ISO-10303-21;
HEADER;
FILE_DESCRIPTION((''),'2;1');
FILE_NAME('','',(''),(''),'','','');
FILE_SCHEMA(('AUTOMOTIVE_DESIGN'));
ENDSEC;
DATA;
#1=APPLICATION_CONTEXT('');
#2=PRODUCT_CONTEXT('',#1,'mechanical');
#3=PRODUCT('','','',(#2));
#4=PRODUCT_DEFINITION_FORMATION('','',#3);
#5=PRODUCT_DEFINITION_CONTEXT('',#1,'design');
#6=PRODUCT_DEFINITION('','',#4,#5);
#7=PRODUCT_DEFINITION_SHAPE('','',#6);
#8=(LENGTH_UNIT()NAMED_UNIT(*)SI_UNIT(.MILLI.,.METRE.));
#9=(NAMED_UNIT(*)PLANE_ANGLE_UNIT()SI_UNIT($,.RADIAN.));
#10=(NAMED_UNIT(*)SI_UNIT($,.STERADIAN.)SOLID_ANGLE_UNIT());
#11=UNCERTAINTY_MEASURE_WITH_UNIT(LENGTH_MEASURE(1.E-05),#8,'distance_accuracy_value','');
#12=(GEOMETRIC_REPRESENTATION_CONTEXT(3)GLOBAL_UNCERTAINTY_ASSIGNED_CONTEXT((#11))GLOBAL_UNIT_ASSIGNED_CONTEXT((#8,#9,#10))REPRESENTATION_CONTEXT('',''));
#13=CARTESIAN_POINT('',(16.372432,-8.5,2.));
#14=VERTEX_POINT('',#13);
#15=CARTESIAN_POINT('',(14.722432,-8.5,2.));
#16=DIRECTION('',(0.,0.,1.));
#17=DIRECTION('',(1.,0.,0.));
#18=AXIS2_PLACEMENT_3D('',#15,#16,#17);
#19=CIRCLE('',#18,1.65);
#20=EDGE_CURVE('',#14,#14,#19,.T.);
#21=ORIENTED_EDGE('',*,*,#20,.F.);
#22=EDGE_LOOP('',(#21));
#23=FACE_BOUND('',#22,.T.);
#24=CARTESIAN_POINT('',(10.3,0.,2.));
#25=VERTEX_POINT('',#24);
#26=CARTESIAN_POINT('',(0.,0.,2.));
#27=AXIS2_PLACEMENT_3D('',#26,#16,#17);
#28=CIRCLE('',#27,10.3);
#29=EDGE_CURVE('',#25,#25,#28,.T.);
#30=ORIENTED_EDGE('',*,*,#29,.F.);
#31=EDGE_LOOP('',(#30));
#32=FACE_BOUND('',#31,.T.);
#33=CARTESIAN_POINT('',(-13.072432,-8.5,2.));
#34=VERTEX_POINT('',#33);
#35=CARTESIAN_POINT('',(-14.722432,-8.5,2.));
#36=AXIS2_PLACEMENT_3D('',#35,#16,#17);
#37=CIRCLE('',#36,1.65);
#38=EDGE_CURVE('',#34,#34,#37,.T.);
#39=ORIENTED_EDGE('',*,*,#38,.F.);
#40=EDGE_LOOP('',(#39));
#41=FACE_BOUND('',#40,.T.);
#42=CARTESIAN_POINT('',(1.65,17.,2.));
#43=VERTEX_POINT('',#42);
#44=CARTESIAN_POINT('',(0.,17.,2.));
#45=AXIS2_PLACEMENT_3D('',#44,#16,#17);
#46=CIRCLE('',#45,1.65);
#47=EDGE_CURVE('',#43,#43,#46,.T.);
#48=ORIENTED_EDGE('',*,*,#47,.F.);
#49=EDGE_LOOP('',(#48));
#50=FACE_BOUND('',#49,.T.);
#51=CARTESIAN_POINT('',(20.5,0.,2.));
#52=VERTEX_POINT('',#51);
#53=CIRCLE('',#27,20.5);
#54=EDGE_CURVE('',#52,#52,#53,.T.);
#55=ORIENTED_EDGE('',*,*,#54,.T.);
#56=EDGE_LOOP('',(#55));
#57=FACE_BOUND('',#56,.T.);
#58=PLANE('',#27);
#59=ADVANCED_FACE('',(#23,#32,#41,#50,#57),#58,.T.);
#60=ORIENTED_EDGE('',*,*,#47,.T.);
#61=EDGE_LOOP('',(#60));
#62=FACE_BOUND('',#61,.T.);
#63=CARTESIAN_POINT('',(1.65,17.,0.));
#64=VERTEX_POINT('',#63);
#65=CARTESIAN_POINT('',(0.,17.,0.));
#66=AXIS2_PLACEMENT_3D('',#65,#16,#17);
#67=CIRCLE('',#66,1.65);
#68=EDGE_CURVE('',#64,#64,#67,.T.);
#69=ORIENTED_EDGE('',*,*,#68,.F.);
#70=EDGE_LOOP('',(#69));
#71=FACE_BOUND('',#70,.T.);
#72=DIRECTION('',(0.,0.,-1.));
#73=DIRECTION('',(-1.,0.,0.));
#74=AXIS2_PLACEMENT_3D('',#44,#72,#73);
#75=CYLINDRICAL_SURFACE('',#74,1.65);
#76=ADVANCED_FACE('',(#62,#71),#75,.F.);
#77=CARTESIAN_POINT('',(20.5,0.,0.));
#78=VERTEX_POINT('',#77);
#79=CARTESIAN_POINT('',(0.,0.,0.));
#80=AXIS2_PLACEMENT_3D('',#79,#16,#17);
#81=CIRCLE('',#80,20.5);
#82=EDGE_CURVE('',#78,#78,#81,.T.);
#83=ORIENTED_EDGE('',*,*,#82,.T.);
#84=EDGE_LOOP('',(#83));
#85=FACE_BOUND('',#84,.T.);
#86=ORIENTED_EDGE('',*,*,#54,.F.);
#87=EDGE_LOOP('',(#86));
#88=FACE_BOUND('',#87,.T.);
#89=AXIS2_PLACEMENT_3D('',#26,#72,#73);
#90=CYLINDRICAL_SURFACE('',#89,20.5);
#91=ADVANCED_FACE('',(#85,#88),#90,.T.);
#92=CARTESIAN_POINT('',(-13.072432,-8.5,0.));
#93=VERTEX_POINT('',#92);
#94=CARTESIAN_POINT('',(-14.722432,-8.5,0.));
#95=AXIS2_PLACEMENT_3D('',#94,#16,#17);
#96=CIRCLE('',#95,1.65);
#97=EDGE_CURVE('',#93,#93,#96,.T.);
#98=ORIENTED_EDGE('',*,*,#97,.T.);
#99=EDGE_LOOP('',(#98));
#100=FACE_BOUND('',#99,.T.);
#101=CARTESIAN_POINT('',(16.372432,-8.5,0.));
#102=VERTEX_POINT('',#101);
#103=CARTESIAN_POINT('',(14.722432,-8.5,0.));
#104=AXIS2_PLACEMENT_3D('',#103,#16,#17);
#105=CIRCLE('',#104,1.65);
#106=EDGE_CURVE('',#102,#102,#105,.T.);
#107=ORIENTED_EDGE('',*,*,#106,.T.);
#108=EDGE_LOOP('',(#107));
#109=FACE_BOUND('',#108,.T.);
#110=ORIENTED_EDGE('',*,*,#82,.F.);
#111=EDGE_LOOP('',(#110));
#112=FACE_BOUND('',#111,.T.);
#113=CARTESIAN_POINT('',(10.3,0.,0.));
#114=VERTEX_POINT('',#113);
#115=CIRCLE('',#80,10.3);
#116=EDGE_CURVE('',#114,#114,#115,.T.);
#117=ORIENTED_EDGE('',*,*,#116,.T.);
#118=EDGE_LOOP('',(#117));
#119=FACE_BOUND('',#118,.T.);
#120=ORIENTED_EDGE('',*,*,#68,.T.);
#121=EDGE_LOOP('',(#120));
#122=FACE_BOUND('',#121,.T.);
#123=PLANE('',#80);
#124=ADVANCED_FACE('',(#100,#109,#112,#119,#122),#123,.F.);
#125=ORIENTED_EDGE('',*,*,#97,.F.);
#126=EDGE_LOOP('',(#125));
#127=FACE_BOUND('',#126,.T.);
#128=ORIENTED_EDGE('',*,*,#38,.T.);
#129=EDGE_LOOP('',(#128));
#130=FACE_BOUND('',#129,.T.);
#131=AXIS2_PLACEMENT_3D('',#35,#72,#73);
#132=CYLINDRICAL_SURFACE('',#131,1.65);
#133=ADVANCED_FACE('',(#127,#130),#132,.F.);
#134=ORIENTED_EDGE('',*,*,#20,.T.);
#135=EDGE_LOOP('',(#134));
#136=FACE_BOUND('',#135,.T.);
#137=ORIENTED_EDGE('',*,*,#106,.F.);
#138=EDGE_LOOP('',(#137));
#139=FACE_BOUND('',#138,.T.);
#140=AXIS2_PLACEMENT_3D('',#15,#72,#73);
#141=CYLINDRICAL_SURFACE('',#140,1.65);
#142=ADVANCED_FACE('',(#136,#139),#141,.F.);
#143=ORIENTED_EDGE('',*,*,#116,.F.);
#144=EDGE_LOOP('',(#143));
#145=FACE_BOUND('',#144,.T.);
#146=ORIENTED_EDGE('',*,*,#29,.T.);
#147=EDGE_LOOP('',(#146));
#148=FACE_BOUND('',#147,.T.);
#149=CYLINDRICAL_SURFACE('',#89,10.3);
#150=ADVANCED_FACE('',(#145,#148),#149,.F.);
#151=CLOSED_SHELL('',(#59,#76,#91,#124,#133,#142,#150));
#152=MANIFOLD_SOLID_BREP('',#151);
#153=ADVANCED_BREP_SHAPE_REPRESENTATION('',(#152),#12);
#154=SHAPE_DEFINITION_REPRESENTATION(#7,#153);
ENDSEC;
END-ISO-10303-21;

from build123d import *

# Parameters (mm, degrees)
PROFILE_1_R               = 20.5
PROFILE_1_R_2             = 10.3
PROFILE_1_R_3             = 1.65
OUTER_RACE_RETAINER_DEPTH = 2


with BuildPart() as part:
    # Profile_1 → Outer_race_retainer (new body)
    with BuildSketch(Plane.XY):
        Circle(PROFILE_1_R)
        Circle(PROFILE_1_R_2, mode=Mode.SUBTRACT)
        with Locations((0, 17)):
            Circle(PROFILE_1_R_3, mode=Mode.SUBTRACT)
        with Locations((-14.722431864, -8.5)):
            Circle(PROFILE_1_R_3, mode=Mode.SUBTRACT)
        with Locations((14.722431864, -8.5)):
            Circle(PROFILE_1_R_3, mode=Mode.SUBTRACT)
    extrude(amount=OUTER_RACE_RETAINER_DEPTH)


solid = part.part
